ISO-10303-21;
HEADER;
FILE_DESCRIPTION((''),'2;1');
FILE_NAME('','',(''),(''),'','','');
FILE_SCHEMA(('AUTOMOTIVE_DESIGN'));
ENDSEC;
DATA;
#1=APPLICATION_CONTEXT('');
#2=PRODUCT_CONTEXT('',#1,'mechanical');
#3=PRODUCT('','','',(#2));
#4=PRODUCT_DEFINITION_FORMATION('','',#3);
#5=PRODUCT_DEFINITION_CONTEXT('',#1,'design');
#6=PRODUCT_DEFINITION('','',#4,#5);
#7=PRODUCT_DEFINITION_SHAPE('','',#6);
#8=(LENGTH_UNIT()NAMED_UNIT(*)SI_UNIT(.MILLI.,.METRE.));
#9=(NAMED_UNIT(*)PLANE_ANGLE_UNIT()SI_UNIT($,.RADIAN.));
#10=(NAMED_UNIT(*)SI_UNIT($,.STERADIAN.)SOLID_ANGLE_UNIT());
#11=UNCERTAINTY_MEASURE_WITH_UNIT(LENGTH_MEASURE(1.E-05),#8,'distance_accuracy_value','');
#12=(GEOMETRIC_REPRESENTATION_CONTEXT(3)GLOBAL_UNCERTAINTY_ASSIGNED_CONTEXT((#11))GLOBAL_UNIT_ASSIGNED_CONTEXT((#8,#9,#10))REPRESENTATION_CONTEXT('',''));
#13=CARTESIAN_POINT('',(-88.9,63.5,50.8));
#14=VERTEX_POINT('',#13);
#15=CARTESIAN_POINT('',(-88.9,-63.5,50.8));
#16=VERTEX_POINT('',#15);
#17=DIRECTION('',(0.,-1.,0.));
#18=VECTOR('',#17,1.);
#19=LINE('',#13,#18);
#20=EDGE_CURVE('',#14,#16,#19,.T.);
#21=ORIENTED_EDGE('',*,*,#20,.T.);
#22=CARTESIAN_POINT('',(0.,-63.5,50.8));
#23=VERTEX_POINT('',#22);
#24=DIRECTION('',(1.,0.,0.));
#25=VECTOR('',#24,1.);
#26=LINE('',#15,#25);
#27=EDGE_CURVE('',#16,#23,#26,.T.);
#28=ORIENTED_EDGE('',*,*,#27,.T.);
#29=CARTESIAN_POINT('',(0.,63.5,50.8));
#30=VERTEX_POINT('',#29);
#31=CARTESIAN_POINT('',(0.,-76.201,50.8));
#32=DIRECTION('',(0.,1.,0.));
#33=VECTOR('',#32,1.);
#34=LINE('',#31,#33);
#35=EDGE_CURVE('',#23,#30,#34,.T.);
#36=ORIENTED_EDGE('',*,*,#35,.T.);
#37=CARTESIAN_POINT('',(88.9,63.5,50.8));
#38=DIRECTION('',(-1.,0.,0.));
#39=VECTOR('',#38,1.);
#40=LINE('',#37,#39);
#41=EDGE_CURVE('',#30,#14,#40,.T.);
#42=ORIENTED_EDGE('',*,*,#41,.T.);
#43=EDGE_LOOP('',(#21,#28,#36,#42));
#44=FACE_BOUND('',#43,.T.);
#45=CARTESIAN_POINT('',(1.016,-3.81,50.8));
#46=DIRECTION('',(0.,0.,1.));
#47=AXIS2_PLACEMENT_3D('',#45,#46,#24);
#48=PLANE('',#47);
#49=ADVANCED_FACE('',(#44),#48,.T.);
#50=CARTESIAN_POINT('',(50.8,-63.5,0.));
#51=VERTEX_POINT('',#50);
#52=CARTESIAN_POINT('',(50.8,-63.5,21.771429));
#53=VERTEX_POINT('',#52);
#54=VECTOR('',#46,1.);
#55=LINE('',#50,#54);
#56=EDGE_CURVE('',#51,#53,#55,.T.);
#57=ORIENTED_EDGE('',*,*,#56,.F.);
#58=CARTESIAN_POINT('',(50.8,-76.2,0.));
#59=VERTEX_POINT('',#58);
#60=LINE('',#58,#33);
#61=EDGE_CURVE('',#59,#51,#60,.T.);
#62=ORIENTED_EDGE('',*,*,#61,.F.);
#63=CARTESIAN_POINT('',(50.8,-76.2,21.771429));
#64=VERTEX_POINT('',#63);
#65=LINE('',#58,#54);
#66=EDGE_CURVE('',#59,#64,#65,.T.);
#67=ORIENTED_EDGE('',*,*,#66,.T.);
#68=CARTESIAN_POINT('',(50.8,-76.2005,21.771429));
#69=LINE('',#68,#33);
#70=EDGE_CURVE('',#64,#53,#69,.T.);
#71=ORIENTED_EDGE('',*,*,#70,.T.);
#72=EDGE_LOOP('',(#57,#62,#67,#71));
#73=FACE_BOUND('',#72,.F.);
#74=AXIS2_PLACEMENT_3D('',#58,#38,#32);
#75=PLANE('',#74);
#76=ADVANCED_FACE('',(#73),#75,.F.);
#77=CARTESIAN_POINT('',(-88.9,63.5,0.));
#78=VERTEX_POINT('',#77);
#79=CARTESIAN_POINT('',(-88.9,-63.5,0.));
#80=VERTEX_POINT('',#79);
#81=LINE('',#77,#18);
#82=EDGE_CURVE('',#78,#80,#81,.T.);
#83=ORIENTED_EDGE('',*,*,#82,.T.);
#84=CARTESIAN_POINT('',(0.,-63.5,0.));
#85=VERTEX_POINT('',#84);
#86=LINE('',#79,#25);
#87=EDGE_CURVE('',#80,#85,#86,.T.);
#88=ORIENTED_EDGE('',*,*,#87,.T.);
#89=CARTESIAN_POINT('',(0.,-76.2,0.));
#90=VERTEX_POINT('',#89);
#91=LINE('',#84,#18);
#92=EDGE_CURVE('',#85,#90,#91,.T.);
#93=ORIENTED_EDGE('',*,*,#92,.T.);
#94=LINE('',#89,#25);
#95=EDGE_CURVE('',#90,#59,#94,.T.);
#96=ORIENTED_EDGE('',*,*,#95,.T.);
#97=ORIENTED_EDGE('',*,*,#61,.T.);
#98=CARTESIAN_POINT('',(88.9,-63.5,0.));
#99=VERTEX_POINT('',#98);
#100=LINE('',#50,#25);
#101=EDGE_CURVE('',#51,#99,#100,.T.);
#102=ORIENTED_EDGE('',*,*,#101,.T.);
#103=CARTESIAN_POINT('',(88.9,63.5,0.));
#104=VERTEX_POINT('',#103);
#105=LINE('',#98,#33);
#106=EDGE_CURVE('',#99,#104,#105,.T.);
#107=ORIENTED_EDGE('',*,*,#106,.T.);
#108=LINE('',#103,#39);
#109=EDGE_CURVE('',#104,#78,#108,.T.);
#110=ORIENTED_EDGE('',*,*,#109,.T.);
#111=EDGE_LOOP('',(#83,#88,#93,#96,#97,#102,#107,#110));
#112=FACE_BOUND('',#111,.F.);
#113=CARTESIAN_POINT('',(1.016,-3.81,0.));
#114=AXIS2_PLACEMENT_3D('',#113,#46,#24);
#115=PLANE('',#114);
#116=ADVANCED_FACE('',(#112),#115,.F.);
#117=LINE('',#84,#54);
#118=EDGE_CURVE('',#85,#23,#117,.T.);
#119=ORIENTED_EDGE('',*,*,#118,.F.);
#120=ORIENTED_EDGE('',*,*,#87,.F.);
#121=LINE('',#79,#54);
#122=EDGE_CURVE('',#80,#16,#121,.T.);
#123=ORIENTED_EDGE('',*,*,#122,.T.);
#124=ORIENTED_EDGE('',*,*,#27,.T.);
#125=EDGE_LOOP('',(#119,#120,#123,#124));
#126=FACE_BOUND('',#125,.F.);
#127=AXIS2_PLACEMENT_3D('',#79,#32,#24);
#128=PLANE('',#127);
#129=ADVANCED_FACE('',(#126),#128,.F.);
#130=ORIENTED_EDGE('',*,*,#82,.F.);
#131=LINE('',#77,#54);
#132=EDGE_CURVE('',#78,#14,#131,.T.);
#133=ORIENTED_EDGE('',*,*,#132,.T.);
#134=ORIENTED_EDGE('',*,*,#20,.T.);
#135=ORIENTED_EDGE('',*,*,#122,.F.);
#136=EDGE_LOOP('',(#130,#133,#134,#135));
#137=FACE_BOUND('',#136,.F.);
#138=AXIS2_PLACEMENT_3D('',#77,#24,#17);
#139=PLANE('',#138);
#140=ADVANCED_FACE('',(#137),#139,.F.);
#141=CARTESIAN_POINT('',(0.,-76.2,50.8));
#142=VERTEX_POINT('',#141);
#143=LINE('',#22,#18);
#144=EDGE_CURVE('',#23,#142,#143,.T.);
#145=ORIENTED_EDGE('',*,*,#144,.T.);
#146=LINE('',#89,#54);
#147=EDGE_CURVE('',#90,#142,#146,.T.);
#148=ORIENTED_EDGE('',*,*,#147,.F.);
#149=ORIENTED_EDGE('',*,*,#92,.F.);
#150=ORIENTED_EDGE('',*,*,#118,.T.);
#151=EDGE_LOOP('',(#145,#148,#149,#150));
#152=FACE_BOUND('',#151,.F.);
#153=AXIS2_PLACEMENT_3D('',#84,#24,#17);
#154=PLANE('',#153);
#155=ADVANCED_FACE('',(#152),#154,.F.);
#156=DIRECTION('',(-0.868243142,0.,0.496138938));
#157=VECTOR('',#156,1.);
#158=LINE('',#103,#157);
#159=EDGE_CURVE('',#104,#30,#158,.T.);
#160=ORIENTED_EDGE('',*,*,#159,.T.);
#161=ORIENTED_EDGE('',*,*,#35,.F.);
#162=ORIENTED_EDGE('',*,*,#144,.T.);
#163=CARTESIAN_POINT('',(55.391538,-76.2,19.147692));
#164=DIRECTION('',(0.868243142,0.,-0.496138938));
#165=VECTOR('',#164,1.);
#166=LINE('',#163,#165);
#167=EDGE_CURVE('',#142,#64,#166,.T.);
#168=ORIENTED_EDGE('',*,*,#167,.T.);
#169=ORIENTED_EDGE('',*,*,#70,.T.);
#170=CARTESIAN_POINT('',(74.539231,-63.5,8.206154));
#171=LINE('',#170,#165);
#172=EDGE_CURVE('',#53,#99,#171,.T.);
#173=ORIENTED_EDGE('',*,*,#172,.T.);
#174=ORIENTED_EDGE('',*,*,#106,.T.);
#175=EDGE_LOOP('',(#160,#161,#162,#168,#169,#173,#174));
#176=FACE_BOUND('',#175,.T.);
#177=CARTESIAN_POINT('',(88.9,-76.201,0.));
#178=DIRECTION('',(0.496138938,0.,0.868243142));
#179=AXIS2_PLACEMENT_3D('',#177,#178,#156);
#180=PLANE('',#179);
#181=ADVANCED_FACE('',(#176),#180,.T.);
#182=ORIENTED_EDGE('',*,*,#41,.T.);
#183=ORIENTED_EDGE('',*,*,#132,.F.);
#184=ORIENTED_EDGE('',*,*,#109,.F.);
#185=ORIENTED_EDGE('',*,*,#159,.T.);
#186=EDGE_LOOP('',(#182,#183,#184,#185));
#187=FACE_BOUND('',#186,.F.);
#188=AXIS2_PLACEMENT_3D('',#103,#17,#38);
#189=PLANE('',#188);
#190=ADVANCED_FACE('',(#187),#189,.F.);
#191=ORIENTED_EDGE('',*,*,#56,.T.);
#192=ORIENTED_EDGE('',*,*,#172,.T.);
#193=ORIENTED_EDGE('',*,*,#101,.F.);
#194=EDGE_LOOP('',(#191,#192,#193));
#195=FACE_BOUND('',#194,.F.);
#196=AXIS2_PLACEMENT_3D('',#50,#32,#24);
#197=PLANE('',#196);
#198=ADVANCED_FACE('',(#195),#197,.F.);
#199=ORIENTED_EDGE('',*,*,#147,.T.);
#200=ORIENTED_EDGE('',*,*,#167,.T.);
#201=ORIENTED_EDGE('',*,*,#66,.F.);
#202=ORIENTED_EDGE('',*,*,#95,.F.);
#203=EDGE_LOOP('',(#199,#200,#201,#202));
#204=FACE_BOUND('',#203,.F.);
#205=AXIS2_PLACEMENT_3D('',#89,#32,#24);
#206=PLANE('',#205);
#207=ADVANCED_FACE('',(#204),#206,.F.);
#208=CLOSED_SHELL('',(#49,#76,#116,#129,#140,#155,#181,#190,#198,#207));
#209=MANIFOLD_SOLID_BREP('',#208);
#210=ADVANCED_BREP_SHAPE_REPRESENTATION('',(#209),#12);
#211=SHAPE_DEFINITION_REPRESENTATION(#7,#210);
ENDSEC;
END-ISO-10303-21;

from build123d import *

# Parameters (mm, degrees)
F2_DEPTH = 50.8
F3_START = 76.201
F3_DEPTH = 139.702


with BuildPart() as f2:
    # F0 (on Top) → F2 (new body)
    with BuildSketch(Plane.XY):
        Polygon((50.8, -63.5), (88.9, -63.5), (88.9, 63.5), (-88.9, 63.5), (-88.9, -63.5), (0, -63.5), (0, -76.2), (50.8, -76.2), align=None)
    extrude(amount=F2_DEPTH)

    # F1 (on Front) → F3 (intersect)
    with BuildSketch(Plane.XZ.offset(F3_START)):
        Polygon((-88.9, 50.8), (-88.9, 0), (50.8, 0), (50.8, 21.7714285714), (0, 50.8), align=None)
        Polygon((50.8, 21.7714285714), (50.8, 0), (88.9, 0), align=None)
    extrude(amount=-F3_DEPTH, mode=Mode.INTERSECT)


solid = f2.part
